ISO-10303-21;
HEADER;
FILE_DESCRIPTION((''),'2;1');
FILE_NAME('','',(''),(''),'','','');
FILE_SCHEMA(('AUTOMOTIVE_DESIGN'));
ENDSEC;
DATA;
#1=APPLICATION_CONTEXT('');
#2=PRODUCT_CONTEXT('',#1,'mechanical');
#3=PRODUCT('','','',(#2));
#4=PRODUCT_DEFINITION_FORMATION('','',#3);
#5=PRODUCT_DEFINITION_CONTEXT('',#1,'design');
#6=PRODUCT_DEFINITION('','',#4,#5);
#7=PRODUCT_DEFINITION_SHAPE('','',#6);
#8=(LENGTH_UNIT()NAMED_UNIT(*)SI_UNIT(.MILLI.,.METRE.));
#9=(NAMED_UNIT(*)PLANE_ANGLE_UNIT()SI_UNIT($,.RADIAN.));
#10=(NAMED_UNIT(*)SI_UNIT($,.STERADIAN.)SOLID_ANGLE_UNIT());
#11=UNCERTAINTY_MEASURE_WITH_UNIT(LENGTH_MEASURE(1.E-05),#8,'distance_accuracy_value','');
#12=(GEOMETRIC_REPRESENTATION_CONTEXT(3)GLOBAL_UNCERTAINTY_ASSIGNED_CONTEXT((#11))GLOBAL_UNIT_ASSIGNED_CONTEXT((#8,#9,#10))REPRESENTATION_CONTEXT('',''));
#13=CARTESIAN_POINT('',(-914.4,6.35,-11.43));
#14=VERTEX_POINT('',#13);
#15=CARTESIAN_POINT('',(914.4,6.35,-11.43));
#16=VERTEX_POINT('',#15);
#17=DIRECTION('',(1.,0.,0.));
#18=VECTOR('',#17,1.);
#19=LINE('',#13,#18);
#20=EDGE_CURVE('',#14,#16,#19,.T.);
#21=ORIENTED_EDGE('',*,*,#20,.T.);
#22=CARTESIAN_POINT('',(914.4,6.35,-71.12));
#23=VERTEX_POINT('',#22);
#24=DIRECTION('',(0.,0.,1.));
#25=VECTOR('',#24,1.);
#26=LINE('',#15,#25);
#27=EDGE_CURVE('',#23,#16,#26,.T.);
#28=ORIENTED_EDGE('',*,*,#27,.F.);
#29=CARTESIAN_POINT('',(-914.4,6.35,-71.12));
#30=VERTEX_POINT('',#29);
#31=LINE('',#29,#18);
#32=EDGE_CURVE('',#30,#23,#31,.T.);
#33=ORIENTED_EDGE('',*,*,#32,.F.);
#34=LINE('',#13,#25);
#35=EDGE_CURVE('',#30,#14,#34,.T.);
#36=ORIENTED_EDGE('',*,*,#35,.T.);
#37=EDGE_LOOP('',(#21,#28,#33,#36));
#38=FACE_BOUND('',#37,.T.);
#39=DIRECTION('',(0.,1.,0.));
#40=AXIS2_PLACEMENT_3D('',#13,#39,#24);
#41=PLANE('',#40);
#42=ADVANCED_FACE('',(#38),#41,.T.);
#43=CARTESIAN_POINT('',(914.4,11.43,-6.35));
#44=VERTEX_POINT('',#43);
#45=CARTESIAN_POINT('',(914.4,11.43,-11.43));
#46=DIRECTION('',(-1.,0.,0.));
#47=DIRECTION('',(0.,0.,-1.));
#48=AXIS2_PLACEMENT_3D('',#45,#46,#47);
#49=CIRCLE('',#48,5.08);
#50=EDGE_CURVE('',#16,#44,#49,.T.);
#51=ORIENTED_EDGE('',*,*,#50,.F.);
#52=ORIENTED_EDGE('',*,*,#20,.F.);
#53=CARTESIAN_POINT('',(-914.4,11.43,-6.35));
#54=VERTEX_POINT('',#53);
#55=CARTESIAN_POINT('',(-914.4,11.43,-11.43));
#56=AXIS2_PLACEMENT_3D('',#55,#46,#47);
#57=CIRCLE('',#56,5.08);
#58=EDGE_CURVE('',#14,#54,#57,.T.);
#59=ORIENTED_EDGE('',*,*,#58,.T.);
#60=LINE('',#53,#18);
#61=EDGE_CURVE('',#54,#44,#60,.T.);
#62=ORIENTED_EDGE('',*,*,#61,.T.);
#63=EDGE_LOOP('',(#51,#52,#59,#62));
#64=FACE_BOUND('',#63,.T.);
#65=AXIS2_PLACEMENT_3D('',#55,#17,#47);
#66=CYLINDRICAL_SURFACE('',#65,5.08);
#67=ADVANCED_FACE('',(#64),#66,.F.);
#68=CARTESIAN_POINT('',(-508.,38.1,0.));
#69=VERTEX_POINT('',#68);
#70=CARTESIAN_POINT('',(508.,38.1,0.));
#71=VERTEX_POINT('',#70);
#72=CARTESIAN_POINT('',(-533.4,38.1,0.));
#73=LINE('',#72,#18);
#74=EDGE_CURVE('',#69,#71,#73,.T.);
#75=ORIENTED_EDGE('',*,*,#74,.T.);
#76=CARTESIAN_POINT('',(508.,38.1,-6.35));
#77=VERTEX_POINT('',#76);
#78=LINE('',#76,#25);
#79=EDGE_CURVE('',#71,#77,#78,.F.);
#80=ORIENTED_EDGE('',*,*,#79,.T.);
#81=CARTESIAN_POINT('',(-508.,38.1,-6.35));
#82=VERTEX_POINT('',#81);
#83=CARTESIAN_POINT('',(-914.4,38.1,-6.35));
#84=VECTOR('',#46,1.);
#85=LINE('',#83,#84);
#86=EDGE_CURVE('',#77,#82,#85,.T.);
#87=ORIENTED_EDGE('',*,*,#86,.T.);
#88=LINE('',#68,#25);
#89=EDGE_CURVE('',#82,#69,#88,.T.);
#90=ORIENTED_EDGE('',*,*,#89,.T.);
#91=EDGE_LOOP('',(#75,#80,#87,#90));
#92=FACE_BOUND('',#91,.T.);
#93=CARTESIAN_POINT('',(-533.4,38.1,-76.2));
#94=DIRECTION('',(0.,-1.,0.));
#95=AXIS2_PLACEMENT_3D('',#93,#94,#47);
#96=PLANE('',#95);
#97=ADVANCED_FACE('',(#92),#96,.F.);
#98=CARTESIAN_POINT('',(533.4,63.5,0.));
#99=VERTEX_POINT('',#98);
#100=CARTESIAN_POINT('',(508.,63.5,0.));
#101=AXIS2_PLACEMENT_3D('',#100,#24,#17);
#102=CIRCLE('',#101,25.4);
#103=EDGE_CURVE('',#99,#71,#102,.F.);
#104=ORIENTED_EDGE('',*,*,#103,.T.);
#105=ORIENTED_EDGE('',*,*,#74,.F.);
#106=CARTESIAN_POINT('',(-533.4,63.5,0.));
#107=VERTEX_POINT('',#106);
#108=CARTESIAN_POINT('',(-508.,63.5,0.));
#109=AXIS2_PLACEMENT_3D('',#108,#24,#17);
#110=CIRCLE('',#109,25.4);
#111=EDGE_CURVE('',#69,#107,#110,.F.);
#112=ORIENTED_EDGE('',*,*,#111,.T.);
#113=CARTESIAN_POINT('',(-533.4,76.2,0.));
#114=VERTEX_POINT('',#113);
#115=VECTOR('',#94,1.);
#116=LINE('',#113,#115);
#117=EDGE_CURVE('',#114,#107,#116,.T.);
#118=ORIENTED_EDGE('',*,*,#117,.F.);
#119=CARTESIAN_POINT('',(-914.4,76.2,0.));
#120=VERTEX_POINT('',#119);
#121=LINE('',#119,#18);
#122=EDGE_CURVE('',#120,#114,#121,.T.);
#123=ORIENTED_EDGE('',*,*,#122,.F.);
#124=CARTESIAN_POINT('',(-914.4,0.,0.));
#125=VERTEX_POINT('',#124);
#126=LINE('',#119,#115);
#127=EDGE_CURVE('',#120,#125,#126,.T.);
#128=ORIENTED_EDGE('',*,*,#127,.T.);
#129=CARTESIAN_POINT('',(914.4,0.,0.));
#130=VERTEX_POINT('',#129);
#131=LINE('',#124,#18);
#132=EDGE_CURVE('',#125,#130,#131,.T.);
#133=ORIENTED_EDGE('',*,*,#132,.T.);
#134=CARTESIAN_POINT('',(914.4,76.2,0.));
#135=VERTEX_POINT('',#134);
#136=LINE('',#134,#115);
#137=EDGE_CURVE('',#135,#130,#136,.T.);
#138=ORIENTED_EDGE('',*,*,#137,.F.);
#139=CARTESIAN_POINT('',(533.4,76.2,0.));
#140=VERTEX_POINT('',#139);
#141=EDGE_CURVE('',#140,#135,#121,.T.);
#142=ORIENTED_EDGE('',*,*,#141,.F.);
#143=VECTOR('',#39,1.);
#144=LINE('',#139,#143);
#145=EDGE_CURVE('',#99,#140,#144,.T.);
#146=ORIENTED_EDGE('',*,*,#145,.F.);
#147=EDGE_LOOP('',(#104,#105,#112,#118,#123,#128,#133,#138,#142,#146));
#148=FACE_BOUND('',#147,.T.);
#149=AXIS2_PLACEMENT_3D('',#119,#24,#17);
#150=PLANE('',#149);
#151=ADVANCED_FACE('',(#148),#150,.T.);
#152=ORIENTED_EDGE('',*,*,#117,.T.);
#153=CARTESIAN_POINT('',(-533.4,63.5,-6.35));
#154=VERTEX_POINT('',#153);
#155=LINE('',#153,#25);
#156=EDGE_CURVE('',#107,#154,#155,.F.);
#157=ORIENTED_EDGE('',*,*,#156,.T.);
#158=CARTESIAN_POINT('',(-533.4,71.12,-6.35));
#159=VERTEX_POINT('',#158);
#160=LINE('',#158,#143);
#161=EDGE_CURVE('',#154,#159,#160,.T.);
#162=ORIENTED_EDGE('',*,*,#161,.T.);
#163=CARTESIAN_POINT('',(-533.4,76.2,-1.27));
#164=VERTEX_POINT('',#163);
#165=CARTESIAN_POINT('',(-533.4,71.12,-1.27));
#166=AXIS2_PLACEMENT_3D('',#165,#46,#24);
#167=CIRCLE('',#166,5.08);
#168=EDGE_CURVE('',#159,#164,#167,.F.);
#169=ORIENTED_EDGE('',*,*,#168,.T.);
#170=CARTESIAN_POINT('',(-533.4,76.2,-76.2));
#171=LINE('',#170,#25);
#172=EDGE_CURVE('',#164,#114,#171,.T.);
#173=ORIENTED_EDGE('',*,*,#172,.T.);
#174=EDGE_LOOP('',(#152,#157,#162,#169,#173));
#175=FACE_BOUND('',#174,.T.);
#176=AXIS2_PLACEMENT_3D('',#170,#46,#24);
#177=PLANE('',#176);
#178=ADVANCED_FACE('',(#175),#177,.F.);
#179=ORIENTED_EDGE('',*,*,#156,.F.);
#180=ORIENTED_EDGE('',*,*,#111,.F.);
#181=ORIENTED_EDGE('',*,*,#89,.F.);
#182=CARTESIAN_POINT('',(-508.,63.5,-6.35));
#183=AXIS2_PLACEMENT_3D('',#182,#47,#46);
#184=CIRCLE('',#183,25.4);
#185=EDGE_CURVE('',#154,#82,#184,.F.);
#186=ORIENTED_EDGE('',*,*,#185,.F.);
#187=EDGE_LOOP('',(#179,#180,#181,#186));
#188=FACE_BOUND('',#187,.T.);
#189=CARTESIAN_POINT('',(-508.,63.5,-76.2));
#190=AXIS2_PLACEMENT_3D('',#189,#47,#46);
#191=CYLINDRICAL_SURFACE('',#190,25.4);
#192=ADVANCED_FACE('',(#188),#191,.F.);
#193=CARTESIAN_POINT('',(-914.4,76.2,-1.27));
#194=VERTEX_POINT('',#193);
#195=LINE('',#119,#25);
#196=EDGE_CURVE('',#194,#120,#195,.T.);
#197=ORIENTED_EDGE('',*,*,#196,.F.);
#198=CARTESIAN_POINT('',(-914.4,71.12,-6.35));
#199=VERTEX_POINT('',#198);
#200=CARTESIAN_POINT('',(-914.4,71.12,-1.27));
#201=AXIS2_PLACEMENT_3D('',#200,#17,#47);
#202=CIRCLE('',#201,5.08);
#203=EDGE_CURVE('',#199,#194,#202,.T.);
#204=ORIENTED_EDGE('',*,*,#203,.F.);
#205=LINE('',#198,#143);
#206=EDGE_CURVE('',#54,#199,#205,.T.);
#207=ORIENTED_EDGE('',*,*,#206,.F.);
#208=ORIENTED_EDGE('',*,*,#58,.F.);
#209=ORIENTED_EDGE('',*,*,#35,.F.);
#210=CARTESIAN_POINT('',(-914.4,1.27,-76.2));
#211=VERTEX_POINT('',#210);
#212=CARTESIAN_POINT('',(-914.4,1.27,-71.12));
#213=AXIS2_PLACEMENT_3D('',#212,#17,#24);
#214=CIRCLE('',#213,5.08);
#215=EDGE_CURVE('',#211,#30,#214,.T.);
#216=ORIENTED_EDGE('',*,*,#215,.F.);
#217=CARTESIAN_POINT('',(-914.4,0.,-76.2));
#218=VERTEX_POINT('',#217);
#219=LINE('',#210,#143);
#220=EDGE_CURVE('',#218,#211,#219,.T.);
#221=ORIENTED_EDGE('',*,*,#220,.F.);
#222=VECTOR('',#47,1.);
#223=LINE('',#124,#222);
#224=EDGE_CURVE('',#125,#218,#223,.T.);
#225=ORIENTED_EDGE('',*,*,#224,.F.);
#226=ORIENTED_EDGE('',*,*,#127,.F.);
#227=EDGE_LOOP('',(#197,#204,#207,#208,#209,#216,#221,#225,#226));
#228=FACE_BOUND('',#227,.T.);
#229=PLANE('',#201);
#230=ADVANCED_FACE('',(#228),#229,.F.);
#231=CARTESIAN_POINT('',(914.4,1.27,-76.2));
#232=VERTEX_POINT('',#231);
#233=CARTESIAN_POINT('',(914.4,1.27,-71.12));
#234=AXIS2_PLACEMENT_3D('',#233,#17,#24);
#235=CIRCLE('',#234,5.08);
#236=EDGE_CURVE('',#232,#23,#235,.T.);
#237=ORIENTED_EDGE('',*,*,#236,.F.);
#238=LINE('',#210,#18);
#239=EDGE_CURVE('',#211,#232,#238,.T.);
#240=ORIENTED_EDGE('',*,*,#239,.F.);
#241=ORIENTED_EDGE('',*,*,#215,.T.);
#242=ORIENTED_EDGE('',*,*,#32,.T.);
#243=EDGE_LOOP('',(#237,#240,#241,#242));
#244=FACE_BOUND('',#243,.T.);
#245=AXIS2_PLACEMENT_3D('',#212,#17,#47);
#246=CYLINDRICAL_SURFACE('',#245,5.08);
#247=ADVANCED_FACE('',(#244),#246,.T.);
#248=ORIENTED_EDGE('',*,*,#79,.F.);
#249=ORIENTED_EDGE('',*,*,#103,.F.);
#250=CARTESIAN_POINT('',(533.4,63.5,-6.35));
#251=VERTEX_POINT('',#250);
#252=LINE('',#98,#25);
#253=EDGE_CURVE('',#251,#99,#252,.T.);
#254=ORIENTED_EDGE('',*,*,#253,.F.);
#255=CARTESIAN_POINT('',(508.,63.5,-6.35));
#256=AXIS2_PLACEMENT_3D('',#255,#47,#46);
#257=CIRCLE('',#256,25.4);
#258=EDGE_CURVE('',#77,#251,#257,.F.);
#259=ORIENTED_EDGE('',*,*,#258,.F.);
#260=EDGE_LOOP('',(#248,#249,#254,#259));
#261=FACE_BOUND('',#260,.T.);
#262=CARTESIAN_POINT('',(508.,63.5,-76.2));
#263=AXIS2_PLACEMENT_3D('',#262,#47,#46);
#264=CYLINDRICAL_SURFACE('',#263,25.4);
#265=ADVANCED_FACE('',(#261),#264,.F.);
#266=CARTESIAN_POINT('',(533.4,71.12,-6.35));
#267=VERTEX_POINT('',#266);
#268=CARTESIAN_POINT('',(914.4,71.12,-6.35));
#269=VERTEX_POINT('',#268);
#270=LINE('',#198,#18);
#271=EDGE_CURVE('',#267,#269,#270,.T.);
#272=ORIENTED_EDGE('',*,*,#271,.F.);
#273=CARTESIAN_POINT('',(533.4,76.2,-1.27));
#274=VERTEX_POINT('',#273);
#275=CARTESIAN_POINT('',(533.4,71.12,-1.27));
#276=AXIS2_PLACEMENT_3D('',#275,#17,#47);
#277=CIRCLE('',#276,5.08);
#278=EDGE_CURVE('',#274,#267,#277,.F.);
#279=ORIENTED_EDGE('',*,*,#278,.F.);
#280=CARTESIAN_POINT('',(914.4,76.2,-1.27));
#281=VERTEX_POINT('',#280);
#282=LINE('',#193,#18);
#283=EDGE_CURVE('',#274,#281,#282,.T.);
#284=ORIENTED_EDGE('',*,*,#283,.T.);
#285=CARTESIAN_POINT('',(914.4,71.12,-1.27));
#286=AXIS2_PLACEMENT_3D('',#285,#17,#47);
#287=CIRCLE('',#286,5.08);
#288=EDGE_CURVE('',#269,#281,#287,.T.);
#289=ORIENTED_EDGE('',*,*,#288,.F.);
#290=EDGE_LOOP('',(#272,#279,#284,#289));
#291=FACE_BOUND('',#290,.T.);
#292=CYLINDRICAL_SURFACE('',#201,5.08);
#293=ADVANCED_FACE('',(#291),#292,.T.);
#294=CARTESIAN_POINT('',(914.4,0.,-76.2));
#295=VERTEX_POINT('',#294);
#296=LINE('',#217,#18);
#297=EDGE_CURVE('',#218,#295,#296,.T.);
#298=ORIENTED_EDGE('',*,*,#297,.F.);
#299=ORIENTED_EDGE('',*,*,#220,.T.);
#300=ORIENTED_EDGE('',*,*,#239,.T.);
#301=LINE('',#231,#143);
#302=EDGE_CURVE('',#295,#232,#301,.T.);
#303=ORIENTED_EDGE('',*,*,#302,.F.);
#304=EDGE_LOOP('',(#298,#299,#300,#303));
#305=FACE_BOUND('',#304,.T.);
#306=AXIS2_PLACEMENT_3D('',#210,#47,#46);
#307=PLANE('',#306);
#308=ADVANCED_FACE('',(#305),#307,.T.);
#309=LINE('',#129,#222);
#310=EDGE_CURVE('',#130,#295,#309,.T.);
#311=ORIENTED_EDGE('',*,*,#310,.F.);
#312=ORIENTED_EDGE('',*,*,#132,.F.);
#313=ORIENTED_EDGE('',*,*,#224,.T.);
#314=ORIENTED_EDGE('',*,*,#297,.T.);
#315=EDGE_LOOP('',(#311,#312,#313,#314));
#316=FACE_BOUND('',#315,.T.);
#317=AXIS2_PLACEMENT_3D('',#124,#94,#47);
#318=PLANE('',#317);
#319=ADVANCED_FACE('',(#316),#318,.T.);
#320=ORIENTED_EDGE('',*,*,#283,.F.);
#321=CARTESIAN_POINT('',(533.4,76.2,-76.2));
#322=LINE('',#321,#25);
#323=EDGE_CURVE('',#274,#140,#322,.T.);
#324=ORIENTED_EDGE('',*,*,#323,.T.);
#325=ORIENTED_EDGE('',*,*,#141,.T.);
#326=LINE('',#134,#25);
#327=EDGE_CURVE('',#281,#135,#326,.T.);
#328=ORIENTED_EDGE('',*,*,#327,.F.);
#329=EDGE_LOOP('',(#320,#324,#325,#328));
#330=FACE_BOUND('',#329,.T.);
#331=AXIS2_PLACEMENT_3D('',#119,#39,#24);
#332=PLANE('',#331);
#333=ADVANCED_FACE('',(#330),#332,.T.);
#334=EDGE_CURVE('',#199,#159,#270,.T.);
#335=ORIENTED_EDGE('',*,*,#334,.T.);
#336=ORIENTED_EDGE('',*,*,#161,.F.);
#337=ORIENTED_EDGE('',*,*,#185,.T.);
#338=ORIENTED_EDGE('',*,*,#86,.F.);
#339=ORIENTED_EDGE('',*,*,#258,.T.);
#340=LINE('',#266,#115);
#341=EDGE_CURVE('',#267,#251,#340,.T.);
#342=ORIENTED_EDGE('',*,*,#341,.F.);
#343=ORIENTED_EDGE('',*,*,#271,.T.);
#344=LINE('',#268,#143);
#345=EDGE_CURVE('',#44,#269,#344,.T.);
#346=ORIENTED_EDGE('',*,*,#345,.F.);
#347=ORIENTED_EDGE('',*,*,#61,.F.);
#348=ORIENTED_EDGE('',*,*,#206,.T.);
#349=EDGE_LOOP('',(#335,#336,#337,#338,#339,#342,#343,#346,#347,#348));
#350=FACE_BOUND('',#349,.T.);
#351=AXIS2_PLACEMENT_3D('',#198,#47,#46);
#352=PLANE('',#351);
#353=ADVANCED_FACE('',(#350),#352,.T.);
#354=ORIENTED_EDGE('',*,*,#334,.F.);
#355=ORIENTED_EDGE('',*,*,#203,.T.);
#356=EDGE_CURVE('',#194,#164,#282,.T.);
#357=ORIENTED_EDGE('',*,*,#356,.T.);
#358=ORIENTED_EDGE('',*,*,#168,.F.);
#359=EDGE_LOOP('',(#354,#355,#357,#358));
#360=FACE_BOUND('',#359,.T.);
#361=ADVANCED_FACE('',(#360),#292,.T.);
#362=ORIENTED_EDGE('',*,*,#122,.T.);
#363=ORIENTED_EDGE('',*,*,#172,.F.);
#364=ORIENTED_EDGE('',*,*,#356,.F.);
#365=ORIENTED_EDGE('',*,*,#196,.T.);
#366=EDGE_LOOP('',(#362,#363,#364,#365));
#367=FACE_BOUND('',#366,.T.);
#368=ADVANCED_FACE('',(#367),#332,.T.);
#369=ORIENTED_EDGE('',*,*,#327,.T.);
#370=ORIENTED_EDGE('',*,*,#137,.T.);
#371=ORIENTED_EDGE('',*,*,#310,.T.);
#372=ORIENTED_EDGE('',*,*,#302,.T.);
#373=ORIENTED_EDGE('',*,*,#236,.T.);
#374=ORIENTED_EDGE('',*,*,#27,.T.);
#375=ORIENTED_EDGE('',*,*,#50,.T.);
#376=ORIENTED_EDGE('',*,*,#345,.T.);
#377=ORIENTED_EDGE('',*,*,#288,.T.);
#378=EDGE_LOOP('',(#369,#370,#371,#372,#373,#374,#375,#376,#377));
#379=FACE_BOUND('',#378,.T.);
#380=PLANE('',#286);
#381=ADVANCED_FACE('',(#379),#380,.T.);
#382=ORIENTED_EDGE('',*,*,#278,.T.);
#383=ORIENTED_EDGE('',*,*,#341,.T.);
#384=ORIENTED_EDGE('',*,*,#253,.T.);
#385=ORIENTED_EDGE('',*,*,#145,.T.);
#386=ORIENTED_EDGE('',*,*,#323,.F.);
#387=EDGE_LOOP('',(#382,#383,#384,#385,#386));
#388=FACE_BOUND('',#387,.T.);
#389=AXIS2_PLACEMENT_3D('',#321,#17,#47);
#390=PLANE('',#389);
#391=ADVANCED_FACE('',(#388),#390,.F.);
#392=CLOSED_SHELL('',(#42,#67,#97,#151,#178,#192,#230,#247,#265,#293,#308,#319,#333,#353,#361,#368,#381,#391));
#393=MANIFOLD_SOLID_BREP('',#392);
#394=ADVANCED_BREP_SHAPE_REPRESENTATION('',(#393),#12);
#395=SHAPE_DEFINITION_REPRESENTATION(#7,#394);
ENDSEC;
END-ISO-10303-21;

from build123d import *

# Parameters (mm, degrees)
BOSS_EXTRUDE1_DEPTH      = 914.4
BOSS_EXTRUDE1_DEPTH_BACK = 914.4
SKETCH2_W                = 1066.8
SKETCH2_H                = 38.1
CUT_EXTRUDE1_DEPTH       = 77.2
FILLET1_R                = 25.4


with BuildPart() as part:
    # Sketch1 → Boss-Extrude1 (new body, two sides)
    with BuildSketch(Plane(origin=(0, 0, 0), x_dir=(0, 0, -1), z_dir=(1, 0, 0))) as boss_extrude1_sk:
        with BuildLine():
            Line((0, 76.2), (0, 0))
            Line((0, 0), (76.2, 0))
            Line((76.2, 0), (76.2, 1.27))
            ThreePointArc((76.2, 1.27), (74.712102448, 4.862102448), (71.12, 6.35))
            Line((71.12, 6.35), (11.43, 6.35))
            ThreePointArc((11.43, 6.35), (7.837897552, 7.837897552), (6.35, 11.43))
            Line((6.35, 11.43), (6.35, 71.12))
            ThreePointArc((6.35, 71.12), (4.862102448, 74.712102448), (1.27, 76.2))
            Line((1.27, 76.2), (0, 76.2))
        make_face()
    extrude(amount=BOSS_EXTRUDE1_DEPTH)
    extrude(boss_extrude1_sk.sketch, amount=-BOSS_EXTRUDE1_DEPTH_BACK)

    # Sketch2 → Cut-Extrude1 (cut, through all)
    with BuildSketch(Plane.XY):
        with Locations((0, 57.15)):
            Rectangle(SKETCH2_W, SKETCH2_H)
    extrude(amount=-CUT_EXTRUDE1_DEPTH, mode=Mode.SUBTRACT)

    # Fillet1
    fillet1_edges = [part.edges().sort_by_distance(p)[0] for p in [
        (-533.4, 38.1, -3.175),
        (533.4, 38.1, -3.175),
    ]]
    fillet(fillet1_edges, radius=FILLET1_R)


solid = part.part
